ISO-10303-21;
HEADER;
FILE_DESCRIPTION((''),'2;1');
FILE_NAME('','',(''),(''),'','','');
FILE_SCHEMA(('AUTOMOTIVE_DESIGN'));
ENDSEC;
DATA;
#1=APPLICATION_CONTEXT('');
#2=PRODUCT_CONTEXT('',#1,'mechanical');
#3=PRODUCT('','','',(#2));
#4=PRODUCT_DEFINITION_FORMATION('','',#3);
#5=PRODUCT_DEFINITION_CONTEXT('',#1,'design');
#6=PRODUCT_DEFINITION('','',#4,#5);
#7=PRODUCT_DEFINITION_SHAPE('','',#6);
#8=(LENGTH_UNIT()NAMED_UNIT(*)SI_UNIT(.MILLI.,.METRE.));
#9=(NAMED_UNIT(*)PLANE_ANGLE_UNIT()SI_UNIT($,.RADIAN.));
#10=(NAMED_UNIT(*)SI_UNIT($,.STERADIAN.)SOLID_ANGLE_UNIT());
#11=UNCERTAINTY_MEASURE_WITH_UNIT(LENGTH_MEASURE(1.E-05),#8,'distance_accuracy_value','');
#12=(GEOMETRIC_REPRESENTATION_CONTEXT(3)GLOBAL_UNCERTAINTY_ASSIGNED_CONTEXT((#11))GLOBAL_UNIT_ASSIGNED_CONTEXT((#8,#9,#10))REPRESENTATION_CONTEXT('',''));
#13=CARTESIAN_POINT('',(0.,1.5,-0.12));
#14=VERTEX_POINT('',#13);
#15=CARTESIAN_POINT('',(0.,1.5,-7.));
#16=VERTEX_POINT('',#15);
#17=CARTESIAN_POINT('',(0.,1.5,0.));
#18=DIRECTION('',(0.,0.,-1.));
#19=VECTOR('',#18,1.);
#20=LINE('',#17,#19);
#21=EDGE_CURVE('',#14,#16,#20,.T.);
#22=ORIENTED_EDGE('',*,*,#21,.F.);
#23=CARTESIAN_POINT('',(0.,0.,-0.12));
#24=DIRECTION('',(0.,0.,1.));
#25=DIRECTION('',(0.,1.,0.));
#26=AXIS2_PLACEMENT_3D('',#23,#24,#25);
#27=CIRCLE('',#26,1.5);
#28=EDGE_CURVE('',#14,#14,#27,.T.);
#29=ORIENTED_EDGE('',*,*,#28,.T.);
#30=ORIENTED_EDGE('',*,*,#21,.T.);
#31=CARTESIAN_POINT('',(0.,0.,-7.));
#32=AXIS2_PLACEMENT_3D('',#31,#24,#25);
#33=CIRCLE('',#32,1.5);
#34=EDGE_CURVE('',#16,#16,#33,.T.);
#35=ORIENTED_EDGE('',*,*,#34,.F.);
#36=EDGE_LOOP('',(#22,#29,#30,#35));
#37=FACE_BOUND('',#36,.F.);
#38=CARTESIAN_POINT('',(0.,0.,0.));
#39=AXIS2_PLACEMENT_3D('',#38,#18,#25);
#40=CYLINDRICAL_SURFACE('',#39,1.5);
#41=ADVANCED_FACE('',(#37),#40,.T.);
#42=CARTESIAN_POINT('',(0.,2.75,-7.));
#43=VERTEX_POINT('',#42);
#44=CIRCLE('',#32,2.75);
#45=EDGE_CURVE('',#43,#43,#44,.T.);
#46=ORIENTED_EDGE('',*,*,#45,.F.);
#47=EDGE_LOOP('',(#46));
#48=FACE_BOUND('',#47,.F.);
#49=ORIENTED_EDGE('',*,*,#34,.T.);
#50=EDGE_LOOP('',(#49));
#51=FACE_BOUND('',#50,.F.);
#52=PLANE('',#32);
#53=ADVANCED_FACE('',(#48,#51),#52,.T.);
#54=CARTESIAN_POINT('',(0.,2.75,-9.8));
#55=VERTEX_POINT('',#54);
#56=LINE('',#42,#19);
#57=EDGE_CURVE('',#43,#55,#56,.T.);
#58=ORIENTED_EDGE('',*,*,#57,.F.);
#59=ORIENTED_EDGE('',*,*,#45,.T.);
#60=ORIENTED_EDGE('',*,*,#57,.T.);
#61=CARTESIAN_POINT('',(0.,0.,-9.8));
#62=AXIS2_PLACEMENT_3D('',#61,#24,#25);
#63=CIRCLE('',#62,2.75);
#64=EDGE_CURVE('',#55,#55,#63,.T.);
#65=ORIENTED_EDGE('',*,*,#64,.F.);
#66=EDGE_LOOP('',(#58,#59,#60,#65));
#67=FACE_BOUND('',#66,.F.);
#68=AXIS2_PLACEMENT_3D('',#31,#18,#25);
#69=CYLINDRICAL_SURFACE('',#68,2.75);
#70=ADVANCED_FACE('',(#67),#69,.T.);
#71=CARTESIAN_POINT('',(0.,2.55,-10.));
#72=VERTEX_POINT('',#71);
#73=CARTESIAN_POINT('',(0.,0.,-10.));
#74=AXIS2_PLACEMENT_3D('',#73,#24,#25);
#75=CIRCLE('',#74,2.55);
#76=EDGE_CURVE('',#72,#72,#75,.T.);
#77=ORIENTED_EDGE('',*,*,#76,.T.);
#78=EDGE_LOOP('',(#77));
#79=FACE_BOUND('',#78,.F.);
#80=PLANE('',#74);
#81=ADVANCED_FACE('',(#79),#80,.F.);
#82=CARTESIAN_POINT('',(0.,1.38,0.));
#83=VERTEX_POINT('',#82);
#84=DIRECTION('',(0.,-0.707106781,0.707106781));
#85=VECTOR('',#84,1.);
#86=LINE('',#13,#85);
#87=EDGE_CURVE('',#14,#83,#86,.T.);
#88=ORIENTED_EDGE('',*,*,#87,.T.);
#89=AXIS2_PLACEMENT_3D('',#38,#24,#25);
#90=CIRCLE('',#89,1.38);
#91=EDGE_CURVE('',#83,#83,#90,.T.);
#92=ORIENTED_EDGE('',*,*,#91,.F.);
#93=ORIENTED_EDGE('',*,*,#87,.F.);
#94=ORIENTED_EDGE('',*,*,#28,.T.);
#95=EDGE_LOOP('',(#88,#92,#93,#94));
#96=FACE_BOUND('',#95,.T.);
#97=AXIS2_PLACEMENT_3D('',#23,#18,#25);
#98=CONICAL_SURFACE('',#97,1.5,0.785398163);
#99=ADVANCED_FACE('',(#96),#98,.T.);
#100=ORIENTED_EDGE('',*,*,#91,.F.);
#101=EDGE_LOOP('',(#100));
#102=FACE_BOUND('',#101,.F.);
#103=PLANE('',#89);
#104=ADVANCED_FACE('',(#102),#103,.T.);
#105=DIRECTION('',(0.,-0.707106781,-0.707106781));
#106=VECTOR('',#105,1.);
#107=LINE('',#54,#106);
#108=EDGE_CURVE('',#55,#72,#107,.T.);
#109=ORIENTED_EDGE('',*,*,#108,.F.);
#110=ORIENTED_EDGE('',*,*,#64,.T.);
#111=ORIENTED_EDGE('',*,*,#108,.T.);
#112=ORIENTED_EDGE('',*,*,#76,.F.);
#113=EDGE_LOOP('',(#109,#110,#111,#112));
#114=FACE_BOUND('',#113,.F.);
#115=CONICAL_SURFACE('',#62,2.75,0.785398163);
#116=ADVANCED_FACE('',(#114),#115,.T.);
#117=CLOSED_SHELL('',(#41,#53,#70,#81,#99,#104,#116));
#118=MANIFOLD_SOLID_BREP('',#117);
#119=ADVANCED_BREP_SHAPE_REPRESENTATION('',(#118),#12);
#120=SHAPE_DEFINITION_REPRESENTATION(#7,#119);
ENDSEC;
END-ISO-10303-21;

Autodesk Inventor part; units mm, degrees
ref_plane "YZ Plane" through (0, 0, 0) normal (1, 0, 0) x (0, 1, 0)
ref_plane "XZ Plane" through (0, 0, 0) normal (0, 1, 0) x (-1, 0, 0)
ref_plane "XY Plane" through (0, 0, 0) normal (0, 0, 1) x (1, 0, 0)
sketch "スケッチ1" plane through (0, 0, 0) normal (1, 0, 0) x (0, 1, 0)
  line L0 (0, 0) -> (1.5, 0)
  line L1 (1.5, 0) -> (1.5, -7)
  line L2 (1.5, -7) -> (0, -7)
  line L3 (0, -7) -> (0, 0)
  line L4 (0, -7) -> (2.75, -7)
  line L5 (2.75, -7) -> (2.75, -10)
  line L6 (2.75, -10) -> (0, -10)
  line L7 (0, -10) -> (0, -7)
  line L8 (2.75, -9.8) -> (2.55, -10)
  line L9 (1.5, -0.12) -> (1.38, 0)
  point P0 (2.75, -8.5)
  dimension "d0" = 45
  dimension "d1" = 2.75
  dimension "d2" = 3
  dimension "d3" = 7
  dimension "d7" = 1.5
  dimension "d10" = 45
  dimension "d11" = 0.12
  dimension "d12" = 0.2
revolve "回転1" add sketch "スケッチ1" angle 360 about axis through (0, 0, -7) along (0, 0, 1) contours L0 L9 L1 L2 L3 | L2 L4 L5 L8 L6 L7
thread "ねじ2" size "M3x0.5" class "6g" standard "ANSI Metric M Profile" length 30
properties part number "M3_7mm" material "ステンレス鋼"
